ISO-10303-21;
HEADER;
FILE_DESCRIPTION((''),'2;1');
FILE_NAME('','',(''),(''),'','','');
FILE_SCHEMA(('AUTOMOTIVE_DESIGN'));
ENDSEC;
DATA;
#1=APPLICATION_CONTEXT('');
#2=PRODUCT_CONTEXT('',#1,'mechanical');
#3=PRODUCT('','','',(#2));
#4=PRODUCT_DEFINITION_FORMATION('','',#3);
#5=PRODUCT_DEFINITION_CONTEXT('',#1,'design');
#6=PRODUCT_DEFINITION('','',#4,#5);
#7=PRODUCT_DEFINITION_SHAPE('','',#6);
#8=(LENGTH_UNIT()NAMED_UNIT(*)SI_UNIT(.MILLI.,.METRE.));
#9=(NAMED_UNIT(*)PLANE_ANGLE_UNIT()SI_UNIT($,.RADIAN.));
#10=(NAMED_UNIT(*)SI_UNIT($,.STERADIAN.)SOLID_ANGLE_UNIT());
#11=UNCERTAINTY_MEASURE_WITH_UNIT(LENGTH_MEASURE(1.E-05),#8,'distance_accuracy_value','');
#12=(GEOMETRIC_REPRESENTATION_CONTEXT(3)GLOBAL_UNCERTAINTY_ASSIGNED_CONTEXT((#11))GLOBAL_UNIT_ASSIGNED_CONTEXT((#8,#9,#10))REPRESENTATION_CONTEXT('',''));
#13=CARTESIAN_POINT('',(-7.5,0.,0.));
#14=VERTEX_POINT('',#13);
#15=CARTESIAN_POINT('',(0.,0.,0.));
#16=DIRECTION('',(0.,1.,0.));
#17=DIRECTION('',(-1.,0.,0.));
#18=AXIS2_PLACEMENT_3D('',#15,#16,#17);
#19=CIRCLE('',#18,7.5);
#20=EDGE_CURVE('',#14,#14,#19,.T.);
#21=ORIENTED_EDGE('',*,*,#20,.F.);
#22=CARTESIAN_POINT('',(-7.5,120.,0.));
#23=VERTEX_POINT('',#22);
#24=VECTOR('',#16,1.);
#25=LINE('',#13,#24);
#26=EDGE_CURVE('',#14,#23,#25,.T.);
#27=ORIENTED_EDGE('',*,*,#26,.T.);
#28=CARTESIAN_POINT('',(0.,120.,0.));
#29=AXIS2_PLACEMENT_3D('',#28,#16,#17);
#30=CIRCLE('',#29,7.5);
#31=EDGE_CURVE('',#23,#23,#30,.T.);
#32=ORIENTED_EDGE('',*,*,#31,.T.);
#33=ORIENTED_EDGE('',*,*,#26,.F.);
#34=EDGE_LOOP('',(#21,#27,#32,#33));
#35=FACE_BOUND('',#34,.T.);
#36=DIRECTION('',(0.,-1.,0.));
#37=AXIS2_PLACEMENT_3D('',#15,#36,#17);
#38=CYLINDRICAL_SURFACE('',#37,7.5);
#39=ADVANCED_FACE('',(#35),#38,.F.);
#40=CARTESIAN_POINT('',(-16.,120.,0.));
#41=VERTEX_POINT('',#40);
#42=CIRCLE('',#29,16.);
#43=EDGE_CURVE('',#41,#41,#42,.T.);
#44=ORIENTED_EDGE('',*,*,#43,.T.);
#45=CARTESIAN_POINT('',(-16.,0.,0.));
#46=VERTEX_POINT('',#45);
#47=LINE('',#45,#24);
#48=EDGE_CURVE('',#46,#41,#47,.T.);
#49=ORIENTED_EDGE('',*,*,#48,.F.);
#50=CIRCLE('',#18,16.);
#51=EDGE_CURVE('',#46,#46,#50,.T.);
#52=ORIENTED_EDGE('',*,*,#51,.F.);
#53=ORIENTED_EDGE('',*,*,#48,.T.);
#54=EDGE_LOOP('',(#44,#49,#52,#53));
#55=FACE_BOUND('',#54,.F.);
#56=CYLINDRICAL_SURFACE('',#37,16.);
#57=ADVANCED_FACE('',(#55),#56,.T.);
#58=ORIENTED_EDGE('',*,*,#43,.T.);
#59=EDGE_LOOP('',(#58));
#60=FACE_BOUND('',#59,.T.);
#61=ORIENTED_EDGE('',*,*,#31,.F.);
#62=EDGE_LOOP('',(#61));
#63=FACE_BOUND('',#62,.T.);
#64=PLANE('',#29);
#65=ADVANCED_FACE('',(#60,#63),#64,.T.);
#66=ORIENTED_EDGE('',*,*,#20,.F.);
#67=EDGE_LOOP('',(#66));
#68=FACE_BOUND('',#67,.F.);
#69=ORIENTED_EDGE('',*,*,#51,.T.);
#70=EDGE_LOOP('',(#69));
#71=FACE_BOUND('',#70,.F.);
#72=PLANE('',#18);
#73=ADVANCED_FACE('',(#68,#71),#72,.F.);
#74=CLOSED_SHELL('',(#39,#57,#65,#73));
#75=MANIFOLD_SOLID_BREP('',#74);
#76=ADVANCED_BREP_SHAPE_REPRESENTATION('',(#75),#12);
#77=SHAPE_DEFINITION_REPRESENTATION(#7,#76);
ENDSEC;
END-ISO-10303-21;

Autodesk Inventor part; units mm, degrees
ref_plane "YZ Plane" through (0, 0, 0) normal (1, 0, 0) x (0, 1, 0)
ref_plane "XZ Plane" through (0, 0, 0) normal (0, 1, 0) x (-1, 0, 0)
ref_plane "XY Plane" through (0, 0, 0) normal (0, 0, 1) x (1, 0, 0)
sketch "スケッチ1" plane through (0, 0, 0) normal (0, 1, 0) x (-1, 0, 0)
  circle A0 centre (0, 0) radius 7.5
  circle A1 centre (0, 0) radius 16
  dimension "d0" = 15
  dimension "d1" = 32
extrude "押し出し1" add sketch "スケッチ1" along normal blind 120
properties part number "SGB-100"
